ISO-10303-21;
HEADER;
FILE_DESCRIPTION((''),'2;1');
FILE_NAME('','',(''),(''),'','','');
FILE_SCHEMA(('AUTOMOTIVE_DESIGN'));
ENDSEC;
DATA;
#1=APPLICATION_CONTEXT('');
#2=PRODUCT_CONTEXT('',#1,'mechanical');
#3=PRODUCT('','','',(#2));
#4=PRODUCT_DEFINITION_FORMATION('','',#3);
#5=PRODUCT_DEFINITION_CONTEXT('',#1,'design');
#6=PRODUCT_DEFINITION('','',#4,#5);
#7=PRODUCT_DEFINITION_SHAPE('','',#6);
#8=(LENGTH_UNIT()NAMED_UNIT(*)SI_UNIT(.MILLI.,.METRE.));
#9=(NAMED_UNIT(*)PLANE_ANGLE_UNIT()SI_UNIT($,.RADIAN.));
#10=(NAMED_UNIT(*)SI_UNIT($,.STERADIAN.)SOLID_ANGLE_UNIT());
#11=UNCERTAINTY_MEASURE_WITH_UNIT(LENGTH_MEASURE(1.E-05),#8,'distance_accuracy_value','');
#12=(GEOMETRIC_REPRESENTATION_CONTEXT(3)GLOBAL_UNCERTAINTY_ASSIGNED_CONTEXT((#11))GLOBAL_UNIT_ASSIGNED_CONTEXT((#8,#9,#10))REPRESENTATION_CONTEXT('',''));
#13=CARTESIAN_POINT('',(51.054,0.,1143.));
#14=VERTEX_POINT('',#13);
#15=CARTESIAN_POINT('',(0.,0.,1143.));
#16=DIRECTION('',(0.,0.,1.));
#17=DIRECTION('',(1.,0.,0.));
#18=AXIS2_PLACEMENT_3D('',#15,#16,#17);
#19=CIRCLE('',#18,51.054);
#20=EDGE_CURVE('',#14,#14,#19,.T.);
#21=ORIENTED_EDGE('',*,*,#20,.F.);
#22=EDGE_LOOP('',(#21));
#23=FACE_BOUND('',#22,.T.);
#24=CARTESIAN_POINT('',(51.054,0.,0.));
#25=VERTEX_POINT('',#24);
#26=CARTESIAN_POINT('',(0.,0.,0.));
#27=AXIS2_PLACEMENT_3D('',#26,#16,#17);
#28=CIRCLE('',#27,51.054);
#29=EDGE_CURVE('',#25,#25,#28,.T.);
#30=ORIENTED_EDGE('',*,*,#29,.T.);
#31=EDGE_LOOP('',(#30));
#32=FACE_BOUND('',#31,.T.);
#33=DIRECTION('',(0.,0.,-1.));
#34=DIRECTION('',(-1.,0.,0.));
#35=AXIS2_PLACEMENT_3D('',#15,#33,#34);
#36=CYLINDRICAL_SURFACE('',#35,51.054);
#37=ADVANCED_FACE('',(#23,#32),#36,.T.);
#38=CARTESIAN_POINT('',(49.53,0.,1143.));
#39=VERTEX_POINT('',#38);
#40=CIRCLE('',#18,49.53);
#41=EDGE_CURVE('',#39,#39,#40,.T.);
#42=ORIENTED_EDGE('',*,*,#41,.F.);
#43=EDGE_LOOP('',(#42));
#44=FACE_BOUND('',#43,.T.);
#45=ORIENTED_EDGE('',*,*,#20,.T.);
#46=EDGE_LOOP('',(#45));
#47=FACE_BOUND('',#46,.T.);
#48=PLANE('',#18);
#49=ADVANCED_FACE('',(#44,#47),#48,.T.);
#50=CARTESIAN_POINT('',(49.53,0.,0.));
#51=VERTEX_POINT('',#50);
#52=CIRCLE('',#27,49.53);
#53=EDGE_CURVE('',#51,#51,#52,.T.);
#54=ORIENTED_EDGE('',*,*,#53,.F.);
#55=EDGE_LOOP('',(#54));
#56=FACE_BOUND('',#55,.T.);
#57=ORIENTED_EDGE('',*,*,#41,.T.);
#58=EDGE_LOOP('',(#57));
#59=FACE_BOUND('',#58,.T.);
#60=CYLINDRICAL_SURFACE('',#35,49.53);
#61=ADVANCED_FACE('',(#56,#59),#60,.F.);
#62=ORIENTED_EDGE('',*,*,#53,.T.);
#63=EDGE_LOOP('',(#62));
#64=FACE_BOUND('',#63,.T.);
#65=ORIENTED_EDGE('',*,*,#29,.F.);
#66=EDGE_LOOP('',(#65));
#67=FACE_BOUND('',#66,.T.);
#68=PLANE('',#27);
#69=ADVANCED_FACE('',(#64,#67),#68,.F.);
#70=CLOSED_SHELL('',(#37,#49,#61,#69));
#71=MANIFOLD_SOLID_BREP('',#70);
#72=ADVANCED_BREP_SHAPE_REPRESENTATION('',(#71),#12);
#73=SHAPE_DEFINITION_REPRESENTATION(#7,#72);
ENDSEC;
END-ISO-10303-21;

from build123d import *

# Parameters (mm, degrees)
SKETCH1_R           = 51.054
SKETCH1_R_2         = 49.53
BOSS_EXTRUDE1_DEPTH = 1143


with BuildPart() as part:
    # Sketch1 → Boss-Extrude1 (new body)
    with BuildSketch(Plane.XY):
        Circle(SKETCH1_R)
        Circle(SKETCH1_R_2, mode=Mode.SUBTRACT)
    extrude(amount=BOSS_EXTRUDE1_DEPTH)


solid = part.part
